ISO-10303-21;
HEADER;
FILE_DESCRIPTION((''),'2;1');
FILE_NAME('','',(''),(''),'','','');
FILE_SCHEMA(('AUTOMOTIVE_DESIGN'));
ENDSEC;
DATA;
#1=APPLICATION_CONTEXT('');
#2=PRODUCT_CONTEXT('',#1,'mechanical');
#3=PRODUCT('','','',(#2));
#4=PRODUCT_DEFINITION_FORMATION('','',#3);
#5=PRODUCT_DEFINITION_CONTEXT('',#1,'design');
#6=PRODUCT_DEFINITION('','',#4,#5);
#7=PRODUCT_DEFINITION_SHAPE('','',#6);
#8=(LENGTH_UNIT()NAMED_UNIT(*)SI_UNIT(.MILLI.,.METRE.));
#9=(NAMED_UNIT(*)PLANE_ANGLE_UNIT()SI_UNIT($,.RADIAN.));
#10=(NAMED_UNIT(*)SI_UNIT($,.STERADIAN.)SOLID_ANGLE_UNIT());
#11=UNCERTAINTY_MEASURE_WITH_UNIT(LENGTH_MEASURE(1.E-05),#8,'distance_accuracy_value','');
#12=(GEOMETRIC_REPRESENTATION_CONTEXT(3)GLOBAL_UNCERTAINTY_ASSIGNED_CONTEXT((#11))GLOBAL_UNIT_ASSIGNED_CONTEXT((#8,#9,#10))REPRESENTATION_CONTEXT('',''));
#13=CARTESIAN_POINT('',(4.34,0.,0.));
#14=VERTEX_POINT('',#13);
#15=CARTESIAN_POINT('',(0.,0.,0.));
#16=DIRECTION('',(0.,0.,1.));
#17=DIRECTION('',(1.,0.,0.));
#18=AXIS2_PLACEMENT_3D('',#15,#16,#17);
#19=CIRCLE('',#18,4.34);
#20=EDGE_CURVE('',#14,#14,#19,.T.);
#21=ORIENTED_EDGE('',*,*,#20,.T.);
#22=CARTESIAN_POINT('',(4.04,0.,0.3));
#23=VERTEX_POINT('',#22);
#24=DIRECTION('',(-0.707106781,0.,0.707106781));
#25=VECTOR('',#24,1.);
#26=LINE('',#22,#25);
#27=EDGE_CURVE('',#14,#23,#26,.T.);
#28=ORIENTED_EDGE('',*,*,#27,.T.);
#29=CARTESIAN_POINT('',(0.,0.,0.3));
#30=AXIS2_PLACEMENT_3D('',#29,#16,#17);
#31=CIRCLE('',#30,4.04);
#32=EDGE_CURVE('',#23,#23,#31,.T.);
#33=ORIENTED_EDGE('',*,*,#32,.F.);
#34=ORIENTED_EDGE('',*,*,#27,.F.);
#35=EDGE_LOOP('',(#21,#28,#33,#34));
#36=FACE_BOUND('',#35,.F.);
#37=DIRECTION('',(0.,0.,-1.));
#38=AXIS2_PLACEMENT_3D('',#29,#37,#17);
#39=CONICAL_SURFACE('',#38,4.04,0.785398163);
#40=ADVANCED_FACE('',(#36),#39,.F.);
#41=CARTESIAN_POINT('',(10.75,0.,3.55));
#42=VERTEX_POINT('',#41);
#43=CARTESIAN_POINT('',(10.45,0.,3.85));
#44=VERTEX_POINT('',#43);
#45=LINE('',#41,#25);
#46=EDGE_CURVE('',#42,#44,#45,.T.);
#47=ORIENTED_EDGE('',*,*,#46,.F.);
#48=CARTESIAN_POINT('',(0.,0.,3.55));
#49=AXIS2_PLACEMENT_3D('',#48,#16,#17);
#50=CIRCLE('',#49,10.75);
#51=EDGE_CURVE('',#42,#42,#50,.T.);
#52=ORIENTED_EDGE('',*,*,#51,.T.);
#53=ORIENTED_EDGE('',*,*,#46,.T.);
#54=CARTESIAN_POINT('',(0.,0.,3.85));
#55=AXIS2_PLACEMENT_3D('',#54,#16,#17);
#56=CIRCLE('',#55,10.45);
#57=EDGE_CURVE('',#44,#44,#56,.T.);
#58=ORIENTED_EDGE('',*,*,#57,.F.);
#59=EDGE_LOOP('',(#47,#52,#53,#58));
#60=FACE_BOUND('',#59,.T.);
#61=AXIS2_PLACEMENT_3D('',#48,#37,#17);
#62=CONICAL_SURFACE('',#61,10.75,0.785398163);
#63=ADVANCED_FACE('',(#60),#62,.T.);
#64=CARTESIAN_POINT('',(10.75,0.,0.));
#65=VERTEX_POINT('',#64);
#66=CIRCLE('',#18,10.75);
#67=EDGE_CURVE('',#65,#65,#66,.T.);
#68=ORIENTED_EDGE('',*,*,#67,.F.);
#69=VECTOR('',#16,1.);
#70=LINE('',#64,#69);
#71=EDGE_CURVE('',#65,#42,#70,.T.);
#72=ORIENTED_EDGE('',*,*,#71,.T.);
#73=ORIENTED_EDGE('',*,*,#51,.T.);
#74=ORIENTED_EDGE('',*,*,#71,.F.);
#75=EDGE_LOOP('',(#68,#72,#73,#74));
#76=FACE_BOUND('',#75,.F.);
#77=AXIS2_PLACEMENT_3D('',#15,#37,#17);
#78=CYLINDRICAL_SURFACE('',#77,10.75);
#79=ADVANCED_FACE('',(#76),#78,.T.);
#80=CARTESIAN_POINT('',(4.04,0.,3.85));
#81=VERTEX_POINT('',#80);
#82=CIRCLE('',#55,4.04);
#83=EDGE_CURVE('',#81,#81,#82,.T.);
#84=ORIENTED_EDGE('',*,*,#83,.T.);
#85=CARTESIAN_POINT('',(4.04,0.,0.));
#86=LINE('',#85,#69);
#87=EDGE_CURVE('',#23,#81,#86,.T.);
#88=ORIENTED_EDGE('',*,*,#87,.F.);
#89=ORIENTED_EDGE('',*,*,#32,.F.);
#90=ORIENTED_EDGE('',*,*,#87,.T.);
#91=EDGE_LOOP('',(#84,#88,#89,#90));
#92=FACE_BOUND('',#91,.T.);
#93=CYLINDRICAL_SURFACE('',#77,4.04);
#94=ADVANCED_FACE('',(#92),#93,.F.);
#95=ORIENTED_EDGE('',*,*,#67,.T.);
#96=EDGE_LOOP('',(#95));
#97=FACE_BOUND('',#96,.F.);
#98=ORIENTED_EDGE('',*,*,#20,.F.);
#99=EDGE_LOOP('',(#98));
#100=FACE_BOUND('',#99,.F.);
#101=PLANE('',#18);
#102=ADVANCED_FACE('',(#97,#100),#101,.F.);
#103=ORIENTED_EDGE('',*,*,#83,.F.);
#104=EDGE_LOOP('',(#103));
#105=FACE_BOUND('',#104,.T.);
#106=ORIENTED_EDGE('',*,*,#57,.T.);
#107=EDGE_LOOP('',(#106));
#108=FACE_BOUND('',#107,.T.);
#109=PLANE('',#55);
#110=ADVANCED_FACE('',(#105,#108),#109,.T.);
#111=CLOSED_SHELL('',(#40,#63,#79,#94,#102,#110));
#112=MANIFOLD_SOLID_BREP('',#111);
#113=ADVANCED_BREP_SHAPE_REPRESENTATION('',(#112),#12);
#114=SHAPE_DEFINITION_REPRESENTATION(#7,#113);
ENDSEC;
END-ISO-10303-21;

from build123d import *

# Parameters (mm, degrees)
SKETCH_1_R      = 10.75
SKETCH_1_R_2    = 4.04
EXTRUDE_1_DEPTH = 3.85
CHAMFER_1_SIZE  = 0.3
CHAMFER_2_SIZE  = 0.3


with BuildPart() as part:
    # 草图1 → 凸台-拉伸1 (new body)
    with BuildSketch(Plane.XY):
        Circle(SKETCH_1_R)
        Circle(SKETCH_1_R_2, mode=Mode.SUBTRACT)
    extrude(amount=EXTRUDE_1_DEPTH)

    # 倒角1
    chamfer_1_edges = [part.edges().sort_by_distance(p)[0] for p in [
        (-10.75, 0, 3.85),
    ]]
    chamfer(chamfer_1_edges, length=CHAMFER_1_SIZE)

    # 倒角2
    chamfer_2_edges = [part.edges().sort_by_distance(p)[0] for p in [
        (-4.04, 0, 0),
    ]]
    chamfer(chamfer_2_edges, length=CHAMFER_2_SIZE)


solid = part.part
